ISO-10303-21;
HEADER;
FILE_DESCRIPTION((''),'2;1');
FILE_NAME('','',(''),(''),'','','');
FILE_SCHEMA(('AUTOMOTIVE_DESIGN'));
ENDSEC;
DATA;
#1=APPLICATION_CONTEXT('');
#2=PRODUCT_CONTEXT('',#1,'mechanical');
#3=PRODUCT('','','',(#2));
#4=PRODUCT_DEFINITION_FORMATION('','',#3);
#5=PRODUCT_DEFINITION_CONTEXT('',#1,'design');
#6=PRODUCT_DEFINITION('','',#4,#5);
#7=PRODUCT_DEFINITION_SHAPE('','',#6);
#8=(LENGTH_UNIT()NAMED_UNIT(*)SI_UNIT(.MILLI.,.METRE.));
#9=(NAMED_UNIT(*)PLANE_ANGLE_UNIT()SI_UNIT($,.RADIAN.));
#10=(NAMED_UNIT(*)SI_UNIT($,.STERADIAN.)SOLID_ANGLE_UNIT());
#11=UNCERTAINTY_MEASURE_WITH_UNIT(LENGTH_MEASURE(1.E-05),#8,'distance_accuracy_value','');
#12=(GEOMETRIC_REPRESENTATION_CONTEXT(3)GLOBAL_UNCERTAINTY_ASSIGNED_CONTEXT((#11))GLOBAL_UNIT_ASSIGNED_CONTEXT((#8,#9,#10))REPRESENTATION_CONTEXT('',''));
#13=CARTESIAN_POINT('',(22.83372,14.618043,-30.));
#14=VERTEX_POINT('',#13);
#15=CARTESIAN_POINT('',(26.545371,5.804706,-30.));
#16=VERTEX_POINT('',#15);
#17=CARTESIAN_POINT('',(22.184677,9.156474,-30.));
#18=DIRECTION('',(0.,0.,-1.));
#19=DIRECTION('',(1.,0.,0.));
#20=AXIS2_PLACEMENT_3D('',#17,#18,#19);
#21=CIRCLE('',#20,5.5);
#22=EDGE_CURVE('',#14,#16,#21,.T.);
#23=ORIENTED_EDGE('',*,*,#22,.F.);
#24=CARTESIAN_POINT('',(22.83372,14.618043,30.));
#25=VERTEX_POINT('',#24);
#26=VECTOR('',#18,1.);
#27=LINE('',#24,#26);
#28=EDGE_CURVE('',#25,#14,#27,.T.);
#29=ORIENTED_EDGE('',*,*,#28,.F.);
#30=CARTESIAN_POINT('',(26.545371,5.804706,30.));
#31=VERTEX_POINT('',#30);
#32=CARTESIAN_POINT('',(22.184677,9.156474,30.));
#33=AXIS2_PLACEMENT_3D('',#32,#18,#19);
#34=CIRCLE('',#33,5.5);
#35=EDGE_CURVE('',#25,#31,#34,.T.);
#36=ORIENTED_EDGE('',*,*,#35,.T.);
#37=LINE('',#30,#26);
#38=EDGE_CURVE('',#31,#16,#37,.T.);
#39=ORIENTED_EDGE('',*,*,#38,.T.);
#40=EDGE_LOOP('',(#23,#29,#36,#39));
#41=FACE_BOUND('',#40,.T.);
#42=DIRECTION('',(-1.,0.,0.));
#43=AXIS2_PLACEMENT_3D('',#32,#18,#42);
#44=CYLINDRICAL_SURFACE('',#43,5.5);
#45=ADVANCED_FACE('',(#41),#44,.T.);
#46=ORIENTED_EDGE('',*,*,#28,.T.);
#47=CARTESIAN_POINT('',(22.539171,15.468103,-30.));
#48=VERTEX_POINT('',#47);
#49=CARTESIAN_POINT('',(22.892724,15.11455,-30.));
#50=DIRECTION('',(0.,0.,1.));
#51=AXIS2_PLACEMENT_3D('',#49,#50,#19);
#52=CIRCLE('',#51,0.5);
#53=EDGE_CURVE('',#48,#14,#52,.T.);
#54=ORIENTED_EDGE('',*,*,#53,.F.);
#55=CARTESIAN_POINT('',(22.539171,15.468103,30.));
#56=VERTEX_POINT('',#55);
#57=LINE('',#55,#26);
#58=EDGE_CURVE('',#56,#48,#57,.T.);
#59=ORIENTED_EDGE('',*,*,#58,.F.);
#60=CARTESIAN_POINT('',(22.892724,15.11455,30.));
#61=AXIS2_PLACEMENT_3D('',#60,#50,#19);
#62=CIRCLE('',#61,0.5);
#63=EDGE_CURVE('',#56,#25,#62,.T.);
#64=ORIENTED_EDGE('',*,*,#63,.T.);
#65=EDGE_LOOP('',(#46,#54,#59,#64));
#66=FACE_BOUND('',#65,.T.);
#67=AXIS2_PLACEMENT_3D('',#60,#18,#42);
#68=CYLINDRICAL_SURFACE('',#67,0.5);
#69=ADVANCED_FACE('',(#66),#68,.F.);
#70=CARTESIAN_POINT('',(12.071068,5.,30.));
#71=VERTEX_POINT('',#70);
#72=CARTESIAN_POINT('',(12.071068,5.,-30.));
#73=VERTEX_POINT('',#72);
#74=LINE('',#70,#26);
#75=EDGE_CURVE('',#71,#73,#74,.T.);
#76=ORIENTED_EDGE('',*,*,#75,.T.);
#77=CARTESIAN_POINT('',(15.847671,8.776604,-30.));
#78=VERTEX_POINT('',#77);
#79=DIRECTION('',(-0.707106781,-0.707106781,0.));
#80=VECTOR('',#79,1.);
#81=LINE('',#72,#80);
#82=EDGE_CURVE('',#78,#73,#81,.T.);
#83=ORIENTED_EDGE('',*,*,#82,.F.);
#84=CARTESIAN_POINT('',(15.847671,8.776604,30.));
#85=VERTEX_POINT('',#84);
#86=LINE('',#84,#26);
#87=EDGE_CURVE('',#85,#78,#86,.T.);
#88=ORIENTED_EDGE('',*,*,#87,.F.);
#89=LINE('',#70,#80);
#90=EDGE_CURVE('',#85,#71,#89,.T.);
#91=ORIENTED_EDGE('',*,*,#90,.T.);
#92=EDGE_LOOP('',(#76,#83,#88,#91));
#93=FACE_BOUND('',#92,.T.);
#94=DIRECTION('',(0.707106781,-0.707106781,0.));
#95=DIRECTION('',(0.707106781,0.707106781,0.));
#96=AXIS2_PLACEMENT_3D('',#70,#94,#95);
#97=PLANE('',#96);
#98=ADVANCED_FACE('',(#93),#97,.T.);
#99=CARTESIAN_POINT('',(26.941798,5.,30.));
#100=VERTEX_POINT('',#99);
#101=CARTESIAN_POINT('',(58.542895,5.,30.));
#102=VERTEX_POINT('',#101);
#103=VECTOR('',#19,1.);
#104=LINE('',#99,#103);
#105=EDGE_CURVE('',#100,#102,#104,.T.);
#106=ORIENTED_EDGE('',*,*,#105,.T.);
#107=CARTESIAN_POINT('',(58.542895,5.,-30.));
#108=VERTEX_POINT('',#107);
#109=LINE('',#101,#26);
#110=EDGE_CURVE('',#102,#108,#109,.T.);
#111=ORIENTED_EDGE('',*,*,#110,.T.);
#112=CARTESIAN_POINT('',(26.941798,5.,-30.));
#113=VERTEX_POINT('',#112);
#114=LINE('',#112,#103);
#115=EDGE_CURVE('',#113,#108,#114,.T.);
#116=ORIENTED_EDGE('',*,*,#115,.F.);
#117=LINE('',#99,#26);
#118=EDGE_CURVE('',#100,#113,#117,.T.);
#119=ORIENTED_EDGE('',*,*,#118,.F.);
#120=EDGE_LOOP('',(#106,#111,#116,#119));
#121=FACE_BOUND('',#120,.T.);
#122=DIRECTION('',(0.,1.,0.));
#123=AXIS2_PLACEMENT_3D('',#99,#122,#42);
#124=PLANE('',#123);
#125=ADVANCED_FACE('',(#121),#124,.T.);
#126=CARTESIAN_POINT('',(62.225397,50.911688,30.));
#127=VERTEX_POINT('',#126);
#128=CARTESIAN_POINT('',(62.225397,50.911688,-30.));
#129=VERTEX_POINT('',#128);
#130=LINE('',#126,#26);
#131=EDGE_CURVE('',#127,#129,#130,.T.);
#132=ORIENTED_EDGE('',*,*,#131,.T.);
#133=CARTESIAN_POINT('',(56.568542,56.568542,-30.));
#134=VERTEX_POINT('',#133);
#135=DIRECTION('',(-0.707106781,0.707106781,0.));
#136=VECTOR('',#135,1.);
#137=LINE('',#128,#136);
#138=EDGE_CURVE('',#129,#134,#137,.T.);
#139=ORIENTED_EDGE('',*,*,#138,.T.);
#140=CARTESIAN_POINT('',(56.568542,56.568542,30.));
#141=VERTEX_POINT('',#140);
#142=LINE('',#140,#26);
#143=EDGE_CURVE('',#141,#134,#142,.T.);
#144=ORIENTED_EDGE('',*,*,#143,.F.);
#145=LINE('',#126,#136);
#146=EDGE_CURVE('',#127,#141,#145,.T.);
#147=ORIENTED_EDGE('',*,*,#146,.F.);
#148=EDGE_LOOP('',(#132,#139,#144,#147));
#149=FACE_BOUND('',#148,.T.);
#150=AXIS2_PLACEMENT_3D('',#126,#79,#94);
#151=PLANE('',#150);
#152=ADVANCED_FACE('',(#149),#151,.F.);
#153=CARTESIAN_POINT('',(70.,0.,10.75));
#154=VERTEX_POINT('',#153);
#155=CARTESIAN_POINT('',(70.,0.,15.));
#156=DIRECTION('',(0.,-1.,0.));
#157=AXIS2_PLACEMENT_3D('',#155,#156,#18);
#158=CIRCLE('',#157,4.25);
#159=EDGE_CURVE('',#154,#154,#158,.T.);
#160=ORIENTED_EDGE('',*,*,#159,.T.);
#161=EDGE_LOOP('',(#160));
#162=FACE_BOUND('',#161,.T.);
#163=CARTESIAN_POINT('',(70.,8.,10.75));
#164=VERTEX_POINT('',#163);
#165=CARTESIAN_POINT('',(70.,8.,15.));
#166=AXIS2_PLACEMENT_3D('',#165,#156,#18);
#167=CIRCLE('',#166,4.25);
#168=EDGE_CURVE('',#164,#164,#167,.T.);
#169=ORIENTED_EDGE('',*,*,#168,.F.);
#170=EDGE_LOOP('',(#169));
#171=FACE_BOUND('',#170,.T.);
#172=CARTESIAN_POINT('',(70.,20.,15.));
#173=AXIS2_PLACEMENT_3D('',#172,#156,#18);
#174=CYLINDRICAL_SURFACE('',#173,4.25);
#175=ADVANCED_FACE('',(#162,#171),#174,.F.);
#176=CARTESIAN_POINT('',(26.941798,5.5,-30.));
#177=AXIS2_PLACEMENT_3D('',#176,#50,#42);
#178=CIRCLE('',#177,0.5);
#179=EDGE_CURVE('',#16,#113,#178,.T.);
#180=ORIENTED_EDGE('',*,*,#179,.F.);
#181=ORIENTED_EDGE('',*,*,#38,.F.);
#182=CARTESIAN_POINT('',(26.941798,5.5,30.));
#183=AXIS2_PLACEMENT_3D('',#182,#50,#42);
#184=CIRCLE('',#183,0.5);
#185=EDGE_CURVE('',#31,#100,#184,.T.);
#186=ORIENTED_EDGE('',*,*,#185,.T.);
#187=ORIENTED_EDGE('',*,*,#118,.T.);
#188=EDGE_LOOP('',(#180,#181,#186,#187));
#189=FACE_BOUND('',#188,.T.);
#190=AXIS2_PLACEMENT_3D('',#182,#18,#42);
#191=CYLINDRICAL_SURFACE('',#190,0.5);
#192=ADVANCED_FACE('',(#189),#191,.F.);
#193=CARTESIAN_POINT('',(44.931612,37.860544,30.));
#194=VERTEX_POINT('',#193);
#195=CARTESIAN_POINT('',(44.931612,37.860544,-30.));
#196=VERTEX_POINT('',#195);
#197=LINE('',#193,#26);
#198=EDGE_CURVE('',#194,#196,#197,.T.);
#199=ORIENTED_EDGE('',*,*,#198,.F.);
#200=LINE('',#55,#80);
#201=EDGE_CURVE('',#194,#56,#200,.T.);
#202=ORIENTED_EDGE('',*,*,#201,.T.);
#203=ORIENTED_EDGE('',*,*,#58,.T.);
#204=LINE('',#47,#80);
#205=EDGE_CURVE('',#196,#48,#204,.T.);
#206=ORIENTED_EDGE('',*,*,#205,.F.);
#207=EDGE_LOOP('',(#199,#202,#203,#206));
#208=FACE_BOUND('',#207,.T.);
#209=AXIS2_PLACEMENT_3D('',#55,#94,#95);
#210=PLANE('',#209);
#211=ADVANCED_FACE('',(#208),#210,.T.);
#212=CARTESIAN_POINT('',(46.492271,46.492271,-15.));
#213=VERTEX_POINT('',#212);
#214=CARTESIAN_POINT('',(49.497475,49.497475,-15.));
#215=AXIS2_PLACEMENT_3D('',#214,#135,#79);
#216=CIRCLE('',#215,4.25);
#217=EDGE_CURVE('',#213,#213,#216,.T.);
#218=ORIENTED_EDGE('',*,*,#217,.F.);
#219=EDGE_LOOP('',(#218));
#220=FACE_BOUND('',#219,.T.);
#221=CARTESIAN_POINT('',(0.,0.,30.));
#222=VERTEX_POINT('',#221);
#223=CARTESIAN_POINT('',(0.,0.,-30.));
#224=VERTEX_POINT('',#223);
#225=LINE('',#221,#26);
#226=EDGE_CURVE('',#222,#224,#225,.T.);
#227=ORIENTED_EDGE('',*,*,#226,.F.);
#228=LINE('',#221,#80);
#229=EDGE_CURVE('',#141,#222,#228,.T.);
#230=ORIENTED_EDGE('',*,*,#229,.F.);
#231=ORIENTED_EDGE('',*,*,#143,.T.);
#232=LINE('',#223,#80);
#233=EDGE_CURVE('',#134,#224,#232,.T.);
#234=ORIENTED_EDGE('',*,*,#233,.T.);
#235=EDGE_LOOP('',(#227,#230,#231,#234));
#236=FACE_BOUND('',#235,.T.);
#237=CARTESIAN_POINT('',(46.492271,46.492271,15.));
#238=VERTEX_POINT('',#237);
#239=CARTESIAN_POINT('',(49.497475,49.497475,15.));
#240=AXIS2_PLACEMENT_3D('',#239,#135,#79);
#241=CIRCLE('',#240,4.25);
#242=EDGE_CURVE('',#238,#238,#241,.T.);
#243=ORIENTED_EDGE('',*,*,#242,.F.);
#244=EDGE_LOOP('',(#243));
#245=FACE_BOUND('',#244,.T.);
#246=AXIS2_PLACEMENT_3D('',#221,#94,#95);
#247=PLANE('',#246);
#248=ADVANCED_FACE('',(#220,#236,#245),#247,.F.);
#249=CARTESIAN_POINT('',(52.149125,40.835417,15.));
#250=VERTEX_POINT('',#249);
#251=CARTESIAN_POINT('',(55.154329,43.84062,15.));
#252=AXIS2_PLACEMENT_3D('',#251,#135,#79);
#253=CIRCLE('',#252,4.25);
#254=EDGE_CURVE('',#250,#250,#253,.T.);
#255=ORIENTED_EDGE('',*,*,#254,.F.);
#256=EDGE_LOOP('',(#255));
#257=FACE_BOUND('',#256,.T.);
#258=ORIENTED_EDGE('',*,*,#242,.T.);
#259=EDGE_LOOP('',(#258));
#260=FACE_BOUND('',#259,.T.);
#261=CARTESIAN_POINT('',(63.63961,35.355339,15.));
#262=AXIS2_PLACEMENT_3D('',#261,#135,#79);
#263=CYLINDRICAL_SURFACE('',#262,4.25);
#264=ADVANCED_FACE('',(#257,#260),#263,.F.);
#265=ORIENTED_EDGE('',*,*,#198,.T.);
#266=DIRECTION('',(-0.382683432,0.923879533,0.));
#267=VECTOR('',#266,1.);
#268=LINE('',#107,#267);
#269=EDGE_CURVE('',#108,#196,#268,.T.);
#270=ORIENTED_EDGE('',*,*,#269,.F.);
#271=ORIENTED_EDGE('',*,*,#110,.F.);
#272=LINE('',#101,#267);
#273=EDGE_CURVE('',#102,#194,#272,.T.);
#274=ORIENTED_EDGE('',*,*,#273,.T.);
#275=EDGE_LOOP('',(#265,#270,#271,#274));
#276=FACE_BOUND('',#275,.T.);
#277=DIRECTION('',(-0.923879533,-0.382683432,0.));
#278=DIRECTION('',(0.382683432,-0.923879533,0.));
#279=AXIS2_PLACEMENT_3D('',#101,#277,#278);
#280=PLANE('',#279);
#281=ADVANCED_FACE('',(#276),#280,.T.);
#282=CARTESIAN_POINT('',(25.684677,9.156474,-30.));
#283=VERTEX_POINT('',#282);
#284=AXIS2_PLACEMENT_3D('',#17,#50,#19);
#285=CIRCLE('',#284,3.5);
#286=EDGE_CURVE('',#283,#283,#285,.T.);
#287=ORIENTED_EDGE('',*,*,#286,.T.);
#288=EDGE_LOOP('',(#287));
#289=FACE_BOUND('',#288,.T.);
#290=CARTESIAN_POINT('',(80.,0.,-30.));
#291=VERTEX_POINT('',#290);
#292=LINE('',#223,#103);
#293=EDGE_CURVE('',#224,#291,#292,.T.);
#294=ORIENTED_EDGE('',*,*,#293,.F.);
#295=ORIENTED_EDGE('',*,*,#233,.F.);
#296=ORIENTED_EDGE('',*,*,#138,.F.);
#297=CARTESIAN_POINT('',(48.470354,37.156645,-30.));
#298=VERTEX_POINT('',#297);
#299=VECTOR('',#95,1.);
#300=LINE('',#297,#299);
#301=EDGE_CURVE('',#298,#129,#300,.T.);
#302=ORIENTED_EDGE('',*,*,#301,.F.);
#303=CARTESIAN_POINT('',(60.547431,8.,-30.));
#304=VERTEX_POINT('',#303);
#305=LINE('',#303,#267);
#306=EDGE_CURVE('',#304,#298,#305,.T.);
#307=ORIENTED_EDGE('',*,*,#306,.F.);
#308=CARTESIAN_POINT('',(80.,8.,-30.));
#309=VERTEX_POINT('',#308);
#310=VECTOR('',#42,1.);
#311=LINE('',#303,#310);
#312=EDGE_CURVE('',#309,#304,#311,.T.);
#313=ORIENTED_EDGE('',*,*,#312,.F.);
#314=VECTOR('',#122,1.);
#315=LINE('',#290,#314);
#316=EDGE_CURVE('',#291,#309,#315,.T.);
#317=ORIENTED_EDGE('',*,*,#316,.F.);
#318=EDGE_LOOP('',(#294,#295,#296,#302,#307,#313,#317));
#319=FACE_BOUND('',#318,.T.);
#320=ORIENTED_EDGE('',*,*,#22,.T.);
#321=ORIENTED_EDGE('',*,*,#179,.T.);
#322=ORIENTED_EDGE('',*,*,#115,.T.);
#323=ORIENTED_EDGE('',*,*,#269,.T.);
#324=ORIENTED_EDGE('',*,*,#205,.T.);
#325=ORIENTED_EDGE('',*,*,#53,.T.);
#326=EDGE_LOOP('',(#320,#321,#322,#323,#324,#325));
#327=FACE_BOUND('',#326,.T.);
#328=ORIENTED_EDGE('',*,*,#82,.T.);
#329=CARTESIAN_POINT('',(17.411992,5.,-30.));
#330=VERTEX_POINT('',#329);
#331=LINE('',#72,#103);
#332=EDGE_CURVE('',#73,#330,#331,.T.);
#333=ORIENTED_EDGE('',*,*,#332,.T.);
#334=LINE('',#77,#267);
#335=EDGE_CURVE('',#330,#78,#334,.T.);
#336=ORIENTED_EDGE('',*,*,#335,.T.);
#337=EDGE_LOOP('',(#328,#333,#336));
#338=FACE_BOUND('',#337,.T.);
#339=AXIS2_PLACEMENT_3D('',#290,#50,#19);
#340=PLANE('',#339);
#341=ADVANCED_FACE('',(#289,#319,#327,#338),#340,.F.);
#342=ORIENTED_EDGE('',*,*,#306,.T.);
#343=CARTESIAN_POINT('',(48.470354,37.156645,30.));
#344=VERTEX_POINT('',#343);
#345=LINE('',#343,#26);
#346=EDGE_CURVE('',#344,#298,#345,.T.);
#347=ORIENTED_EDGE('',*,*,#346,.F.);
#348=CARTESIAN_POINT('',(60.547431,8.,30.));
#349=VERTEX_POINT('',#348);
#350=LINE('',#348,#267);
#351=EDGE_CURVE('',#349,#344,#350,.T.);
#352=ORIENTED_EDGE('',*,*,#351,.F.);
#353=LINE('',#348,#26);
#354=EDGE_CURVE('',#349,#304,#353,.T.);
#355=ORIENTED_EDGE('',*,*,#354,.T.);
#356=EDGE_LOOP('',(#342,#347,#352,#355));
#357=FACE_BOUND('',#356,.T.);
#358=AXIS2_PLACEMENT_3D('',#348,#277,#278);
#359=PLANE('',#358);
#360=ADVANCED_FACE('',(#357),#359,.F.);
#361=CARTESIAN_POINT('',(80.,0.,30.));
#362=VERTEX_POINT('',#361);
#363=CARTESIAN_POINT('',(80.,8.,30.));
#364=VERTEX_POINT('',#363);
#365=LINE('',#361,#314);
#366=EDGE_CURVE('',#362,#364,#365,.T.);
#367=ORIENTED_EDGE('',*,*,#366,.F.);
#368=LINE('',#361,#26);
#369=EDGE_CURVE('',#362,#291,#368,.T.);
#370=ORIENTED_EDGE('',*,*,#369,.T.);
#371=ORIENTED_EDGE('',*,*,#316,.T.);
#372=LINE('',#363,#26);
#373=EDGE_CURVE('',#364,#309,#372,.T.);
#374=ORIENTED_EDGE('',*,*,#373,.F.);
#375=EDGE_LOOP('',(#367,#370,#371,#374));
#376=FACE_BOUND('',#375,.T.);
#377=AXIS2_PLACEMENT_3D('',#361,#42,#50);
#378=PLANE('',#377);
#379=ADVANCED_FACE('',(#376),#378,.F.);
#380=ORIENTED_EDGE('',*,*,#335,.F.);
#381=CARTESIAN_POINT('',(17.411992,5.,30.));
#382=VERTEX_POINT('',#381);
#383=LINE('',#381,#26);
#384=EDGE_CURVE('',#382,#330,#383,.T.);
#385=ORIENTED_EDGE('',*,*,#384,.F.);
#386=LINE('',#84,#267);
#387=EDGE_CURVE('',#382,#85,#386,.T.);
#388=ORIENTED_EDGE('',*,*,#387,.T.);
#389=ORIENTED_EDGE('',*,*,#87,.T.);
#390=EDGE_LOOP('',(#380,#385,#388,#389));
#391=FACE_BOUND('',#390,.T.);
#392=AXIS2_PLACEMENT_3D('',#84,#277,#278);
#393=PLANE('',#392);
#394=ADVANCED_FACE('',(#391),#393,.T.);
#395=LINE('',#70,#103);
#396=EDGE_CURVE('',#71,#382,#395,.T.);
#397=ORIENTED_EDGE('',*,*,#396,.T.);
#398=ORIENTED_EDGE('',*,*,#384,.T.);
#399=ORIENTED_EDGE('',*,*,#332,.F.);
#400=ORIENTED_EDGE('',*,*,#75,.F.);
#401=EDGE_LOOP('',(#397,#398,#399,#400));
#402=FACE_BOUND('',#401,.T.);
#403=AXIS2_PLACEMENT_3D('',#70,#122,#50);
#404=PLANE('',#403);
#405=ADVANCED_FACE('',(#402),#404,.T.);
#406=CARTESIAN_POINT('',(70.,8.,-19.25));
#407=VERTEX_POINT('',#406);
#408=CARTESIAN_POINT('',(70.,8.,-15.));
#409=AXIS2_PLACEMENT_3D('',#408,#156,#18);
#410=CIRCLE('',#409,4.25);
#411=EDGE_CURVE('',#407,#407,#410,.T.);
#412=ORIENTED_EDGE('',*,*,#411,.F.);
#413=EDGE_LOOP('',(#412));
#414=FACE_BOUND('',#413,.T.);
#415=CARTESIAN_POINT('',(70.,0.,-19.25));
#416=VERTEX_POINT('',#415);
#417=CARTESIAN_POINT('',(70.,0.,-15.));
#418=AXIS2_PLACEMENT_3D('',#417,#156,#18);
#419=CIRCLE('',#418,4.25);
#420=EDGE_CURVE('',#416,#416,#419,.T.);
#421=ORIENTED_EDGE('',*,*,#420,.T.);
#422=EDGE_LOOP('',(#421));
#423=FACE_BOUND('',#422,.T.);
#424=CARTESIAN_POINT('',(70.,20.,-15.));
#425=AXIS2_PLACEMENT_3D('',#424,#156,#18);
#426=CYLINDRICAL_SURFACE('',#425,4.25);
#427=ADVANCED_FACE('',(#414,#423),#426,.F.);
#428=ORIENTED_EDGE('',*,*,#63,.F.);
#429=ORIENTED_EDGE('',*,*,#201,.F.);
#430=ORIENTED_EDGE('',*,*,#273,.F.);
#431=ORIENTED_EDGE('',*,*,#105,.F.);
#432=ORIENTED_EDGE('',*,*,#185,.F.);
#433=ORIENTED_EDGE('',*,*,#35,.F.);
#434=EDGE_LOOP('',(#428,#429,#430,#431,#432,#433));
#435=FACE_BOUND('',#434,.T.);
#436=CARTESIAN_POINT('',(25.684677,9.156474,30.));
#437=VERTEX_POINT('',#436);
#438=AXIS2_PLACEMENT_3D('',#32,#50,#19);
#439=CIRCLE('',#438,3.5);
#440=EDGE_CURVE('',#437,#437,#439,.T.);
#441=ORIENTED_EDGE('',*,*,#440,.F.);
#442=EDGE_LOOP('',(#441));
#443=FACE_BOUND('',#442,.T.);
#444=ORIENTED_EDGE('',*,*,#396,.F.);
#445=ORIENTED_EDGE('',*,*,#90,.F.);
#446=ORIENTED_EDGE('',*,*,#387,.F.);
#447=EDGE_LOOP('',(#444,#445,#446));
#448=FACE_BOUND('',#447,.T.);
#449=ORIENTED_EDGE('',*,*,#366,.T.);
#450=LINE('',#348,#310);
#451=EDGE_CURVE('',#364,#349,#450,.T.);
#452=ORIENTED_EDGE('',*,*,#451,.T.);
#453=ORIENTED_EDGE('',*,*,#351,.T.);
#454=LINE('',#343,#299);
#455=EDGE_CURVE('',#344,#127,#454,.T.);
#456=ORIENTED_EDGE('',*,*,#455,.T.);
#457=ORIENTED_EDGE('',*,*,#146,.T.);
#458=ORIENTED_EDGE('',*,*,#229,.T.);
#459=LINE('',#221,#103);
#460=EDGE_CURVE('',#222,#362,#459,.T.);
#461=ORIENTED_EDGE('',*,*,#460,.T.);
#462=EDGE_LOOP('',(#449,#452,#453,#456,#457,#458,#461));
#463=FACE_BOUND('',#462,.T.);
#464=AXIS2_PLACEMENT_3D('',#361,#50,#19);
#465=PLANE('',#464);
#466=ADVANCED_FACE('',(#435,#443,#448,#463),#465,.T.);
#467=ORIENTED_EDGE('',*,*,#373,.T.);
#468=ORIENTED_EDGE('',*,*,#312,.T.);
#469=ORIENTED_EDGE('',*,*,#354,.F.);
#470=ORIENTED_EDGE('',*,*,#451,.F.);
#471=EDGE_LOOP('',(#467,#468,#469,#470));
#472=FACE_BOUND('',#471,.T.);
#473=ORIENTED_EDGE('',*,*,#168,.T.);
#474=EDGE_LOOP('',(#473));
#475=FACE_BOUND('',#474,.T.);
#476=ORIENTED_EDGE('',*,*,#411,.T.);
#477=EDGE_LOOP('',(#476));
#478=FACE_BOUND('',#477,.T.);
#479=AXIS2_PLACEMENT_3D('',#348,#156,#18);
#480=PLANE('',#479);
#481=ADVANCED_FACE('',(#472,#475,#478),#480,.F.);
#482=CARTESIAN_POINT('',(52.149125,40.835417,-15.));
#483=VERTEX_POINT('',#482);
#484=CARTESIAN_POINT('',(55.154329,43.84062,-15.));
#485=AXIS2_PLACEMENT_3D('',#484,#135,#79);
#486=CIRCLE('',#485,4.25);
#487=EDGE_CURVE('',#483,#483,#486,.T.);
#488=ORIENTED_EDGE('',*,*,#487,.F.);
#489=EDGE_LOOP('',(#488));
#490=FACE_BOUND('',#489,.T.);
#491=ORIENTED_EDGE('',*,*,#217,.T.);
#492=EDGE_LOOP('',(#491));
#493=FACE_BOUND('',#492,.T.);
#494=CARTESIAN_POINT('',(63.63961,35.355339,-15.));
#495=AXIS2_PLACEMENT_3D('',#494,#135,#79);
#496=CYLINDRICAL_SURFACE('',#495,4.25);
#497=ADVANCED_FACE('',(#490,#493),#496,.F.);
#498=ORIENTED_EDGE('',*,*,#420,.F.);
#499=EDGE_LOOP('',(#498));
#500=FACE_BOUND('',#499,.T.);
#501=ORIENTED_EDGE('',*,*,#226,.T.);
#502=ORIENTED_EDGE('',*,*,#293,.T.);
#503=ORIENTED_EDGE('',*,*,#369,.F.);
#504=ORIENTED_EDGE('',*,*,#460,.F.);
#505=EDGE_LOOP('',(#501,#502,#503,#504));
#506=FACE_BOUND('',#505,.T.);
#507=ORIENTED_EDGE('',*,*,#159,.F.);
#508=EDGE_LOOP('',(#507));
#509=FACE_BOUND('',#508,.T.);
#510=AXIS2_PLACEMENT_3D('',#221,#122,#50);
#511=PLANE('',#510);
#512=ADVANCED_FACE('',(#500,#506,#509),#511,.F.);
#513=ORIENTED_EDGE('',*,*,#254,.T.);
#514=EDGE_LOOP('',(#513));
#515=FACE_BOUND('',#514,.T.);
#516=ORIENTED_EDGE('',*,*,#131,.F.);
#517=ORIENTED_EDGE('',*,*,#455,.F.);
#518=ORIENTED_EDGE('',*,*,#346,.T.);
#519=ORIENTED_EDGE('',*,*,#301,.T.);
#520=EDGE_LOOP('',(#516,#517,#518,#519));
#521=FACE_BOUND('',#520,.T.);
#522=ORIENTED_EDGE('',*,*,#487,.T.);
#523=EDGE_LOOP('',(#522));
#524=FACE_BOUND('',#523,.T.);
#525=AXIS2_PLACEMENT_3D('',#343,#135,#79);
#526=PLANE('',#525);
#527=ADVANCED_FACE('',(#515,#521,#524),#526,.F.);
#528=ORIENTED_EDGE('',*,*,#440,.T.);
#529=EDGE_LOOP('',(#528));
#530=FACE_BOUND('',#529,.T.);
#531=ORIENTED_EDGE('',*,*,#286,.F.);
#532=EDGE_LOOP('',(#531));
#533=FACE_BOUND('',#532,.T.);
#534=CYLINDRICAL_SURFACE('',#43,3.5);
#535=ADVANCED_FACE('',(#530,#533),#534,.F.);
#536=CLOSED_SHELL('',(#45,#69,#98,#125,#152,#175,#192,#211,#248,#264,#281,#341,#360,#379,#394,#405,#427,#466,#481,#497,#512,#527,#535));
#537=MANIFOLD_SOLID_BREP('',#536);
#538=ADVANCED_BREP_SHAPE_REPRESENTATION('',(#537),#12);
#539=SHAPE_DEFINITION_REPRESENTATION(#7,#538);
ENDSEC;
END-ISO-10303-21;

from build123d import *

# Parameters (mm, degrees)
SKETCH_1_R          = 3.5
EXTRUDE_1_DEPTH     = 30
SKETCH_2_R          = 4.25
CUT_EXTRUDE_1_DEPTH = 20
SKETCH_3_R          = 4.25
CUT_EXTRUDE_2_DEPTH = 20


with BuildPart() as part:
    # 草图1 → 凸台-拉伸1 (new, symmetric)
    with BuildSketch(Plane.XY):
        Polygon((0, 0), (56.568542495, 56.568542495), (62.225396744, 50.911688245), (48.470353518, 37.156645019), (60.547431318, 8), (80, 8), (80, 0), align=None)
        with Locations((22.184677187, 9.156473773)):
            Circle(SKETCH_1_R, mode=Mode.SUBTRACT)
        Polygon((12.071067812, 5), (15.847671377, 8.776603565), (17.411991793, 5), align=None, mode=Mode.SUBTRACT)
        with BuildLine():
            Line((22.539170943, 15.468103131), (44.931612237, 37.860544425))
            Line((44.931612237, 37.860544425), (58.542895405, 5))
            Line((58.542895405, 5), (26.941798117, 5))
            ThreePointArc((26.941798117, 5), (26.493271042, 5.27903968), (26.545371373, 5.804706148))
            ThreePointArc((26.545371373, 5.804706148), (27.253512915, 11.291164467), (22.833720405, 14.61804341))
            ThreePointArc((22.833720405, 14.61804341), (22.420282519, 14.950846558), (22.539170943, 15.468103131))
        make_face(mode=Mode.SUBTRACT)
    extrude(amount=EXTRUDE_1_DEPTH, both=True)

    # 草图2 → 切除-拉伸1 (cut)
    with BuildSketch(Plane(origin=(0, 0, 0), x_dir=(0, 0, 1), z_dir=(-0.7071067811865488, 0.7071067811865464, 0))):
        with Locations(Location((-15, 70, 0), (0, 0, 270))):
            Circle(SKETCH_2_R)
        with Locations(Location((15, 70, 0), (0, 0, 270))):
            Circle(SKETCH_2_R)
    extrude(amount=-CUT_EXTRUDE_1_DEPTH, mode=Mode.SUBTRACT)

    # 草图3 → 切除-拉伸2 (cut)
    with BuildSketch(Plane.XZ):
        with Locations(Location((70, 15, 0), (0, 0, 270))):
            Circle(SKETCH_3_R)
        with Locations(Location((70, -15, 0), (0, 0, 270))):
            Circle(SKETCH_3_R)
    extrude(amount=-CUT_EXTRUDE_2_DEPTH, mode=Mode.SUBTRACT)


solid = part.part
